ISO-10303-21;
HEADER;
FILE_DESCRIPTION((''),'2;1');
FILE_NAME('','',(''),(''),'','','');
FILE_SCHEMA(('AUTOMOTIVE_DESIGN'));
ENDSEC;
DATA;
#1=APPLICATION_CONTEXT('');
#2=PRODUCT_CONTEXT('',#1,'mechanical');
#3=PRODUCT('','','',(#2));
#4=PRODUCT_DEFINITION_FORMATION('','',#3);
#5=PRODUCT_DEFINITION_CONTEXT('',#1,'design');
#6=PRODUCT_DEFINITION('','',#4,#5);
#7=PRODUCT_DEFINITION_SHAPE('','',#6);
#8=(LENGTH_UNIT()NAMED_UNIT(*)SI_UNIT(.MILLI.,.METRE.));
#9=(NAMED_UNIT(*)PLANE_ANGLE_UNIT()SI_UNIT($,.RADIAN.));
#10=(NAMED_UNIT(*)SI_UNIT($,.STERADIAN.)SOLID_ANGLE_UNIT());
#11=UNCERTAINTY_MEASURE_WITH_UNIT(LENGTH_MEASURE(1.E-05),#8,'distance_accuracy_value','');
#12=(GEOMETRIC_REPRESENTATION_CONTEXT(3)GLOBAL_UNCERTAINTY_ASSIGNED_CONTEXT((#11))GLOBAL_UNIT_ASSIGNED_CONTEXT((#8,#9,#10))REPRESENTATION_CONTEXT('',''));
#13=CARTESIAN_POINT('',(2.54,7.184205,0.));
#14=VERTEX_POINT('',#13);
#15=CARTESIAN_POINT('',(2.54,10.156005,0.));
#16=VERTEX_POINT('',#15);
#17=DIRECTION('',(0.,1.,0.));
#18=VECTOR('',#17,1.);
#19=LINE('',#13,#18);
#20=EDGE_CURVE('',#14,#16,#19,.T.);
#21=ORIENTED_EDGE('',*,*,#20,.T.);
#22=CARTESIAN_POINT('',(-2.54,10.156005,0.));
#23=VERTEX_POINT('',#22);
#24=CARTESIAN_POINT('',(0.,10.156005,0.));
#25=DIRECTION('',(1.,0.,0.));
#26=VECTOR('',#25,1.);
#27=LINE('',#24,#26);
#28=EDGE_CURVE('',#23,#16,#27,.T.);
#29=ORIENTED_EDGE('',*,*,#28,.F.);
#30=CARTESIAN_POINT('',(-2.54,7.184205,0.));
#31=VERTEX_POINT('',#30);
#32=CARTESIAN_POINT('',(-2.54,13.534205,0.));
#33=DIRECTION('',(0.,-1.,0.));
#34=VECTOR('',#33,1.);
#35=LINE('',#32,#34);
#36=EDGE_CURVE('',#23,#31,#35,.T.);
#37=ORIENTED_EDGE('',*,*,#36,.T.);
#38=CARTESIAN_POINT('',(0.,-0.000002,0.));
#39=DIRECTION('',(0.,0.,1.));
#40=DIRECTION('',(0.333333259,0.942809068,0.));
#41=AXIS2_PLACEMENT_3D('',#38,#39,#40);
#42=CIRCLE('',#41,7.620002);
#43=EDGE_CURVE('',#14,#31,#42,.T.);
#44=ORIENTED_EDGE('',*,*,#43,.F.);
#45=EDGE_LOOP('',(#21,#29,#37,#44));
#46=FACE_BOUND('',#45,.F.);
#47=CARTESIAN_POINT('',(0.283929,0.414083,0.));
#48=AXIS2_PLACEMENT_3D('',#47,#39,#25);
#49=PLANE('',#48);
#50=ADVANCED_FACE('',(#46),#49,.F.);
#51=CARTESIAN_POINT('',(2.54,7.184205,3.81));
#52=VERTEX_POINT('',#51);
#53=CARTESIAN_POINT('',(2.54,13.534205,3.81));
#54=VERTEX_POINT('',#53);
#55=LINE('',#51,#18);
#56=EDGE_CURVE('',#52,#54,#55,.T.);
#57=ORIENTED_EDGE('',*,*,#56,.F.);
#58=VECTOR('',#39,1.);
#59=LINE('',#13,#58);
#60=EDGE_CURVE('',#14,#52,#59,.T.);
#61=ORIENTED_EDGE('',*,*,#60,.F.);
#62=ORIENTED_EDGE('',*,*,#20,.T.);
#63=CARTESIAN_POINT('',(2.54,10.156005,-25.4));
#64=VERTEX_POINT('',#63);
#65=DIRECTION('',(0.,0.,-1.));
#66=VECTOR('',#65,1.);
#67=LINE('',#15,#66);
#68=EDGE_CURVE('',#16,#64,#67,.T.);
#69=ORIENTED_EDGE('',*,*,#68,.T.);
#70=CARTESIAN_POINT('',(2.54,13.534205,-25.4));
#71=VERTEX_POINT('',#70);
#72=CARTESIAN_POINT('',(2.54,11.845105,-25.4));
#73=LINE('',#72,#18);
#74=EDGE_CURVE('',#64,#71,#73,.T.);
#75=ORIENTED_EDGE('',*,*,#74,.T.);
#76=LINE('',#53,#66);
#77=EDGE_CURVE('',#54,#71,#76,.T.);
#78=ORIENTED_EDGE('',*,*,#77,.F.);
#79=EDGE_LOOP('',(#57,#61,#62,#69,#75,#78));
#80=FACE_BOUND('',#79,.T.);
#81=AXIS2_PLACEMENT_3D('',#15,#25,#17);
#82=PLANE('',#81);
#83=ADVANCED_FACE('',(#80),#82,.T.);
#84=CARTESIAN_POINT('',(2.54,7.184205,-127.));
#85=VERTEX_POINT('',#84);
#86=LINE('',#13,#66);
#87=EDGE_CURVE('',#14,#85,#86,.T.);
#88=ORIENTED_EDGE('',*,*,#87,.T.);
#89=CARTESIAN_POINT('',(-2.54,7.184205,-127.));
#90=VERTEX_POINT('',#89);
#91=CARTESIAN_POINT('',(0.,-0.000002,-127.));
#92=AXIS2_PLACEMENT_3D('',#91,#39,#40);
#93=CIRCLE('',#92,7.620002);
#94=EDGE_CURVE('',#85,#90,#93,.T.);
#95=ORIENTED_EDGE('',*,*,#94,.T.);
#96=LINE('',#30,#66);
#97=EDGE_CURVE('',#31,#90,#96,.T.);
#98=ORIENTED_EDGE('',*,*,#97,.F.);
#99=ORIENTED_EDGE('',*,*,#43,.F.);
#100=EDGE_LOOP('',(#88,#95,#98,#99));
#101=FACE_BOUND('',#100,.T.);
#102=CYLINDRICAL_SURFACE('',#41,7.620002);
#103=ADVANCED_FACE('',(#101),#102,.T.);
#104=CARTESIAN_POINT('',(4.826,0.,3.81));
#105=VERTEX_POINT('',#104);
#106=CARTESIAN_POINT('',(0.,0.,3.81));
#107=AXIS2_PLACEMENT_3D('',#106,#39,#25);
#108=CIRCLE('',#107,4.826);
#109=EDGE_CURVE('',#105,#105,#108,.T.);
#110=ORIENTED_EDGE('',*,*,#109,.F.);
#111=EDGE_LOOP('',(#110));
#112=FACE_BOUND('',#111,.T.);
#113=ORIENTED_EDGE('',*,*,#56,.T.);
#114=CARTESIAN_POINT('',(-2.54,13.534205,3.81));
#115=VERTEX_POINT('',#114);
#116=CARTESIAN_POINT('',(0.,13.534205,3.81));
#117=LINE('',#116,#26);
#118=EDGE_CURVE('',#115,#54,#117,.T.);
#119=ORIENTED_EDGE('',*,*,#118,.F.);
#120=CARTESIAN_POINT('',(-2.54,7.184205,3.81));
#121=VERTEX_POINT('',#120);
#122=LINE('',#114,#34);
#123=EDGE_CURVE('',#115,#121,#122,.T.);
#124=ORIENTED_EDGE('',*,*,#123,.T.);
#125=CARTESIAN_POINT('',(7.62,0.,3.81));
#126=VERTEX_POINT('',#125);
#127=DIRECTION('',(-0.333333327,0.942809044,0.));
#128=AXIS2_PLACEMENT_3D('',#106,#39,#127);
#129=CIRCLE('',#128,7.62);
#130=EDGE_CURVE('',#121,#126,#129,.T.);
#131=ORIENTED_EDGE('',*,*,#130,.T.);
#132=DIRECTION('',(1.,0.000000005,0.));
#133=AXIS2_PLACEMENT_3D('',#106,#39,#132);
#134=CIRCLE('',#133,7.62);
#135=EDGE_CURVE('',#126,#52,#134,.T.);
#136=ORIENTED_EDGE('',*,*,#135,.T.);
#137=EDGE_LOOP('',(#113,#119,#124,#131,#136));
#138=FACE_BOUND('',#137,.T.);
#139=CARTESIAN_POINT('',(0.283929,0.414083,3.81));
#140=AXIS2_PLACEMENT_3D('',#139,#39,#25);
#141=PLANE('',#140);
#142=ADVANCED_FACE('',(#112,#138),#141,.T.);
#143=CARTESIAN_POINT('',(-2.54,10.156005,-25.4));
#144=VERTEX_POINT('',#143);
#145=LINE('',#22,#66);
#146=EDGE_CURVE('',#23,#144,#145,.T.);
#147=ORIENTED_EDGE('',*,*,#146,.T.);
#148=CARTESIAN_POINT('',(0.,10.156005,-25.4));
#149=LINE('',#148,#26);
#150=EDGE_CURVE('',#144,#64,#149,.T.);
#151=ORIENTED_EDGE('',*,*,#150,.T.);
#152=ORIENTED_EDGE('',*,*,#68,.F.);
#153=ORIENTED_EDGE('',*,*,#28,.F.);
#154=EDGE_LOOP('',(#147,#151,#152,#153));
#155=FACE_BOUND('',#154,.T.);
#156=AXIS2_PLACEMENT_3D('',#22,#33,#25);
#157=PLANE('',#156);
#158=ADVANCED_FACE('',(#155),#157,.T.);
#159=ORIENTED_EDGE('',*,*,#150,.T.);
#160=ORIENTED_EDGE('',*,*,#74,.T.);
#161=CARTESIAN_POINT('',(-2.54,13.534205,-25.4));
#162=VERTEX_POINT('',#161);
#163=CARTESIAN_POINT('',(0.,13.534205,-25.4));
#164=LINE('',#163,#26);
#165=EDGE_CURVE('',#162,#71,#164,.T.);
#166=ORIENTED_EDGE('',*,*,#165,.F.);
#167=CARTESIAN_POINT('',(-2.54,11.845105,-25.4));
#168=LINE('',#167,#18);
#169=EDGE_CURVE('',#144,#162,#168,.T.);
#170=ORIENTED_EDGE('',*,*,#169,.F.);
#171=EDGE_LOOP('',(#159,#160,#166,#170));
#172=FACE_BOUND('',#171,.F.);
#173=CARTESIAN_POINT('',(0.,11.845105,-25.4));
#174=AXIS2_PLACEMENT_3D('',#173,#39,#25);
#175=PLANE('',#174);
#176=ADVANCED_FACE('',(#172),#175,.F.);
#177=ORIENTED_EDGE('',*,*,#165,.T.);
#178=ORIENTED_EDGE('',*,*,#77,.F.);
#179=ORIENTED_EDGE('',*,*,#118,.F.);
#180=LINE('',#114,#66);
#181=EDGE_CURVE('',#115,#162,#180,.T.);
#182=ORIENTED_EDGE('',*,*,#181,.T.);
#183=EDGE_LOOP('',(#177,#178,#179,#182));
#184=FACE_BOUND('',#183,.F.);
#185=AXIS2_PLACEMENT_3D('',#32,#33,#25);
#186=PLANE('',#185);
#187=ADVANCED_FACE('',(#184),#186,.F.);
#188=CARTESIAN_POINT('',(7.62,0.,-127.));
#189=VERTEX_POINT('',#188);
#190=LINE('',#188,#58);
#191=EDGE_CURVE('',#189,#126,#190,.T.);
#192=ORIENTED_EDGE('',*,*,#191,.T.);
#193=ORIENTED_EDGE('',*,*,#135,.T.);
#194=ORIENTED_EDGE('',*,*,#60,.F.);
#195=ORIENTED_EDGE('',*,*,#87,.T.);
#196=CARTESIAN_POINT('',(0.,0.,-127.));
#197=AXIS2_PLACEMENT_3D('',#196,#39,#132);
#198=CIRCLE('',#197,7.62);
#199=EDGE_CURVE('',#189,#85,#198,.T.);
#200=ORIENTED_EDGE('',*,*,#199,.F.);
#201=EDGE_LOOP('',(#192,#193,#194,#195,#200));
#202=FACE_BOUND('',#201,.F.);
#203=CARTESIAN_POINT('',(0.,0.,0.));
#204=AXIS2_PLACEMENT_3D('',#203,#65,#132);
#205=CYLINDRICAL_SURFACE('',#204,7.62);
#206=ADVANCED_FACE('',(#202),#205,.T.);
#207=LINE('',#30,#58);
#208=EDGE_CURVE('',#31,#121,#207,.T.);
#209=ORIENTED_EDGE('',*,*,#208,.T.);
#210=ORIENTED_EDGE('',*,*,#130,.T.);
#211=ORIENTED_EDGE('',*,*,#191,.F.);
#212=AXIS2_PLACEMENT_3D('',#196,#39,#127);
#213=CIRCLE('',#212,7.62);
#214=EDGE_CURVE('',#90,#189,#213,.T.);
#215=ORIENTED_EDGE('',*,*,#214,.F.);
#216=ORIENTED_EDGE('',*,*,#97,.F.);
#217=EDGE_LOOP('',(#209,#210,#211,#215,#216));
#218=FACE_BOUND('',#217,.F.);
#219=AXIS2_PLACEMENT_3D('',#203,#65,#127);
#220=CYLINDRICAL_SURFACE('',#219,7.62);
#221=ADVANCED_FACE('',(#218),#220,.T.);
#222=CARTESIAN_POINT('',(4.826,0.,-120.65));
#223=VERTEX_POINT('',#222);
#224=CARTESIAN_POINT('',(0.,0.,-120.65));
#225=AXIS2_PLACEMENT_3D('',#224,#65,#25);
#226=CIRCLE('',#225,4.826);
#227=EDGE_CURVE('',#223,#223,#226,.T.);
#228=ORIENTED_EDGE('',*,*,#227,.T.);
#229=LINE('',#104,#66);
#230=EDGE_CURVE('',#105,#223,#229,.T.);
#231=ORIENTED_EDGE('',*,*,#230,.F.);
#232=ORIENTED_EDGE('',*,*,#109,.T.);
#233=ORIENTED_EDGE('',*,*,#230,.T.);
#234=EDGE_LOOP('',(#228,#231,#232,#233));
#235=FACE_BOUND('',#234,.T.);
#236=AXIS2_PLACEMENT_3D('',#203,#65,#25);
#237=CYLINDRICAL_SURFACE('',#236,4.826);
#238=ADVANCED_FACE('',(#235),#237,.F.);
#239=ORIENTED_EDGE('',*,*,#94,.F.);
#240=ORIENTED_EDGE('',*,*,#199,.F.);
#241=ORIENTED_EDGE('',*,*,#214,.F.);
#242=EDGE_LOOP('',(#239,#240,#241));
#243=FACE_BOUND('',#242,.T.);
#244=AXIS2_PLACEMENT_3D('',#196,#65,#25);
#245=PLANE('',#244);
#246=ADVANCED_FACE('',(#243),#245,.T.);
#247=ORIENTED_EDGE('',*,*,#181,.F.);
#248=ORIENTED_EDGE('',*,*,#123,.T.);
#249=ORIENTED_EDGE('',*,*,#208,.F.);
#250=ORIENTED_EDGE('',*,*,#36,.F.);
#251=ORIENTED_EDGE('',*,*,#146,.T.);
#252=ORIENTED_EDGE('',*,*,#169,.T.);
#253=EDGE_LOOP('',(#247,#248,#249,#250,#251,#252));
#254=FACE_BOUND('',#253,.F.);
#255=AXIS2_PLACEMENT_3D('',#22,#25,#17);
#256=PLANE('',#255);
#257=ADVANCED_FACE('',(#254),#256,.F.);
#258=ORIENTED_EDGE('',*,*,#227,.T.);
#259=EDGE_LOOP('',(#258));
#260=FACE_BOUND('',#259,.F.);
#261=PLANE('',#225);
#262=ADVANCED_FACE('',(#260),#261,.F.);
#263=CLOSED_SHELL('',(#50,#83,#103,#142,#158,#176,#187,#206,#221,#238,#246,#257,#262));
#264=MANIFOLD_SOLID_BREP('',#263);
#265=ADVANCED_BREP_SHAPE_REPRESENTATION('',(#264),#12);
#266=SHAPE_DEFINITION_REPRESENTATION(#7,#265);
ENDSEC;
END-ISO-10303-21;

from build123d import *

# Parameters (mm, degrees)
F0_R     = 4.826
F1_DEPTH = 127
F0_W     = 5.08
F0_H     = 3.3782
F2_DEPTH = 3.81
F3_DEPTH = 25.4
F4_R     = 4.826
F5_DEPTH = 6.35


with BuildPart() as f1:
    # F0 (on Top) → F1 (new body)
    with BuildSketch(Plane.XY):
        with BuildLine():
            ThreePointArc((-2.54, 7.184205), (-4.399409, -6.221704), (7.62, 0))
            ThreePointArc((7.62, 0), (6.221704, 4.399409), (2.54, 7.184205))
            ThreePointArc((2.54, 7.184205), (0, 7.62), (-2.54, 7.184205))
        make_face()
        Circle(F0_R, mode=Mode.SUBTRACT)
    extrude(amount=-F1_DEPTH)

    # F0 (on Top) → F2 (join)
    with BuildSketch(Plane.XY):
        with BuildLine():
            ThreePointArc((-2.54, 7.184205), (-4.399409, -6.221704), (7.62, 0))
            ThreePointArc((7.62, 0), (6.221704, 4.399409), (2.54, 7.184205))
            ThreePointArc((2.54, 7.184205), (0, 7.62), (-2.54, 7.184205))
        make_face()
        Circle(F0_R, mode=Mode.SUBTRACT)
        with BuildLine():
            ThreePointArc((-2.54, 7.184205), (0, 7.62), (2.54, 7.184205))
            Line((2.54, 7.184205), (2.54, 10.156005))
            Line((2.54, 10.156005), (-2.54, 10.156005))
            Line((-2.54, 10.156005), (-2.54, 7.184205))
        make_face()
        with Locations((0, 11.845105)):
            Rectangle(F0_W, F0_H)
    extrude(amount=F2_DEPTH)

    # F0 (on Top) → F3 (join)
    with BuildSketch(Plane.XY):
        with Locations((0, 11.845105)):
            Rectangle(F0_W, F0_H)
    extrude(amount=-F3_DEPTH)

    # F4 (on face) → F5 (join)
    with BuildSketch(Plane(origin=(0, 0, -127), x_dir=(1, 0, 0), z_dir=(0, 0, -1))):
        Circle(F4_R)
    extrude(amount=-F5_DEPTH)


solid = f1.part
